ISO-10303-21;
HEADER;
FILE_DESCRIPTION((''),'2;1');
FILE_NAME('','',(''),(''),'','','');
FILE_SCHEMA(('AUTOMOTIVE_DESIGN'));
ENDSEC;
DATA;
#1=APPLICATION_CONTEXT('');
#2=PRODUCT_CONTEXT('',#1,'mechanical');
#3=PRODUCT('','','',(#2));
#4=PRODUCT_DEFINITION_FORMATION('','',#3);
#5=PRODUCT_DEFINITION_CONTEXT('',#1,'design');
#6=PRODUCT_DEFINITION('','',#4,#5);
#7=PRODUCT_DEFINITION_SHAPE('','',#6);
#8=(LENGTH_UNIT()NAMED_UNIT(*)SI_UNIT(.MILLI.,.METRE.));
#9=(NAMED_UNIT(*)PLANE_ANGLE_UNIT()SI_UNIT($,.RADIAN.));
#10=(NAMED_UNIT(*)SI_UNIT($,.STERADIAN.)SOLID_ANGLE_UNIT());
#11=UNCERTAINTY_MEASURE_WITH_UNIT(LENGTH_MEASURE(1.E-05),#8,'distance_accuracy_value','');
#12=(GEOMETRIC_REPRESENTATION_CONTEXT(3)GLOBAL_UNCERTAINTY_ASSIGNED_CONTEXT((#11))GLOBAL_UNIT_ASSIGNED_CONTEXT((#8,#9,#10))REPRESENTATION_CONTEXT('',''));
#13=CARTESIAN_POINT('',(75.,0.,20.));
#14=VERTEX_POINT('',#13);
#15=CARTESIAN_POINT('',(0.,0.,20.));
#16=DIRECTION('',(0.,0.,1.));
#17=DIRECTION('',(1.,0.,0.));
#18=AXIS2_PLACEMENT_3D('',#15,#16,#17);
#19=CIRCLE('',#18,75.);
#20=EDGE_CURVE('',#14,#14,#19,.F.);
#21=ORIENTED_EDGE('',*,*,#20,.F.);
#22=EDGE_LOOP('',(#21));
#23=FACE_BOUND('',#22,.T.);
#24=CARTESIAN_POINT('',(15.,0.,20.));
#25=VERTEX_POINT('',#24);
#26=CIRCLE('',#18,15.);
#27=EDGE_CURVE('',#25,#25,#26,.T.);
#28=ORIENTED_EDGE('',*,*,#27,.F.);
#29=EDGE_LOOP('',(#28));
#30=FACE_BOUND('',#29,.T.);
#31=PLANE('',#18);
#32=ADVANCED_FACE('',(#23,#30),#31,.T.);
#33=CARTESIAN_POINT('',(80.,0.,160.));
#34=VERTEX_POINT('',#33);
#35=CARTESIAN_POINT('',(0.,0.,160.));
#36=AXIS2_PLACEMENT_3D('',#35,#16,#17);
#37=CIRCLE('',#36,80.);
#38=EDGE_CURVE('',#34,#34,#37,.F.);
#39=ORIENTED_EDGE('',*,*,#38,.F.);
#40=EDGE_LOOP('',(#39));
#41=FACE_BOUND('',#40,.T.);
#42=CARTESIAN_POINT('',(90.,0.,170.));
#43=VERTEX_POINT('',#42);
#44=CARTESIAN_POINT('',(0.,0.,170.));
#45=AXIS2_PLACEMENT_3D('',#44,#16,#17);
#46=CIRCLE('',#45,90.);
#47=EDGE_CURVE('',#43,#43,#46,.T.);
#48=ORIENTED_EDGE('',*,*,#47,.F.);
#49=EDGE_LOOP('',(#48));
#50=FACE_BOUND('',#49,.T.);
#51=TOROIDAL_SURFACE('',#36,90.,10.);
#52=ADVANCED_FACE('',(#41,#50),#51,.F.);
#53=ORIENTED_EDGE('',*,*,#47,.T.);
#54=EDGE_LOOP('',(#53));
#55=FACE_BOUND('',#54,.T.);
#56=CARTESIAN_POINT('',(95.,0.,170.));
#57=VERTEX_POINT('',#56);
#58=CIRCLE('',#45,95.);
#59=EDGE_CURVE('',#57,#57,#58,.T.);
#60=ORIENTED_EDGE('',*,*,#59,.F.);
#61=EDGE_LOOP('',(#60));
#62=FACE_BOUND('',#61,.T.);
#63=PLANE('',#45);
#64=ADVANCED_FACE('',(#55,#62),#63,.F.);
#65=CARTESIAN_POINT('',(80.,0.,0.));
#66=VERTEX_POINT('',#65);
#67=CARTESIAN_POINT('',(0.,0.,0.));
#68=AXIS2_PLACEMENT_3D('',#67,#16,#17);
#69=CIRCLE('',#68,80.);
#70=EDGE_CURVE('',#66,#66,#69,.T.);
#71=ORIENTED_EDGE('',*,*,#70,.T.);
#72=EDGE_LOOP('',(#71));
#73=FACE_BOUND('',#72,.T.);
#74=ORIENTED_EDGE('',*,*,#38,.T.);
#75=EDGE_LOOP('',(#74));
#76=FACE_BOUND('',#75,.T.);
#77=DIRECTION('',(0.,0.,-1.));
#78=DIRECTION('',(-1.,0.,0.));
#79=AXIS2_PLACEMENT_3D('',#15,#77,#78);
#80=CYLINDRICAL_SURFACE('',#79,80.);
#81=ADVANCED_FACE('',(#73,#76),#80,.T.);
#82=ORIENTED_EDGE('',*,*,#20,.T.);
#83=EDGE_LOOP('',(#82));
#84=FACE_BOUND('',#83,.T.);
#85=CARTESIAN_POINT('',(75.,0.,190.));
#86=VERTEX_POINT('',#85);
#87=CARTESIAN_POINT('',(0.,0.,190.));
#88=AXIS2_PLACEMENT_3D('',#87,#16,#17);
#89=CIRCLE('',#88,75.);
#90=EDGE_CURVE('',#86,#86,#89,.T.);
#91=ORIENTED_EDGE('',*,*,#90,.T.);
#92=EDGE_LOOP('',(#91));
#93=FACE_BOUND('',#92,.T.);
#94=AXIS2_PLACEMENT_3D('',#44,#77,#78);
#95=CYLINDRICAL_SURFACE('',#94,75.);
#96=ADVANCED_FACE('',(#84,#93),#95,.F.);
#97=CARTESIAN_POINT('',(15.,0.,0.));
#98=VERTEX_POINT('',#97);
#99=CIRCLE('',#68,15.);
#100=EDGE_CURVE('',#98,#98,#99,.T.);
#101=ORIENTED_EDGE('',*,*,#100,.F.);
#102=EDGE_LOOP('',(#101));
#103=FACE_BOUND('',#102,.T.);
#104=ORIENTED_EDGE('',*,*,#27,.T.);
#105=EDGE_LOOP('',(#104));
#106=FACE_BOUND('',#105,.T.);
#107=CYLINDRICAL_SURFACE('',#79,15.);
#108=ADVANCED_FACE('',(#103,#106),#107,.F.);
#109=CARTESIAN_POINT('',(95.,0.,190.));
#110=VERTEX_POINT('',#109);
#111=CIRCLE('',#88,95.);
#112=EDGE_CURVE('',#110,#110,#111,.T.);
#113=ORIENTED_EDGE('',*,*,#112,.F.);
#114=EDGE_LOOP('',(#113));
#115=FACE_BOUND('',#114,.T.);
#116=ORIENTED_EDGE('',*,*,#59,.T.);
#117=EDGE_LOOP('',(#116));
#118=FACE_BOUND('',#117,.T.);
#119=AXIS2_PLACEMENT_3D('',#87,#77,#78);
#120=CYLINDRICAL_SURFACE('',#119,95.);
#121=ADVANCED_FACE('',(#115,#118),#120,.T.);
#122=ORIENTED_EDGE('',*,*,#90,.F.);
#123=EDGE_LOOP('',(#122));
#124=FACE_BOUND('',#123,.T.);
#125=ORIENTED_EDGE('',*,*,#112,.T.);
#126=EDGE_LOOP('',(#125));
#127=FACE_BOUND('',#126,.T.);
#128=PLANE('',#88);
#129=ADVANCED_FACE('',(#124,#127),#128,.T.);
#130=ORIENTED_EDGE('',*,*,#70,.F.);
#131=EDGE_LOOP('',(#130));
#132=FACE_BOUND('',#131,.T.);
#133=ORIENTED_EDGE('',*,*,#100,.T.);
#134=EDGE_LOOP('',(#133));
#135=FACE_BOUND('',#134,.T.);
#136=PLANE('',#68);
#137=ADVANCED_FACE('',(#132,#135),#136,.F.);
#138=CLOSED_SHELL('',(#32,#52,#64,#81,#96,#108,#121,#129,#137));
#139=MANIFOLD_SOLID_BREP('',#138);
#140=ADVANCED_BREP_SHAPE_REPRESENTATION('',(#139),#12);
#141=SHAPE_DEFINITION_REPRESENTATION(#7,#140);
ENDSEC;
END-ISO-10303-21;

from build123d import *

# Parameters (mm, degrees)
SKETCH1_R           = 80
SKETCH1_R_2         = 15
BOSS_EXTRUDE1_DEPTH = 20
SKETCH2_R           = 80
SKETCH2_R_2         = 75
BOSS_EXTRUDE2_DEPTH = 150
SKETCH3_R           = 95
SKETCH3_R_2         = 75
BOSS_EXTRUDE3_DEPTH = 20
FILLET1_R           = 10


with BuildPart() as part:
    # Sketch1 → Boss-Extrude1 (new body)
    with BuildSketch(Plane.XY):
        Circle(SKETCH1_R)
        Circle(SKETCH1_R_2, mode=Mode.SUBTRACT)
    extrude(amount=BOSS_EXTRUDE1_DEPTH)

    # Sketch2 → Boss-Extrude2 (add)
    with BuildSketch(Plane.XY.offset(20)):
        Circle(SKETCH2_R)
        Circle(SKETCH2_R_2, mode=Mode.SUBTRACT)
    extrude(amount=BOSS_EXTRUDE2_DEPTH)

    # Sketch3 → Boss-Extrude3 (add)
    with BuildSketch(Plane.XY.offset(170)):
        Circle(SKETCH3_R)
        Circle(SKETCH3_R_2, mode=Mode.SUBTRACT)
    extrude(amount=BOSS_EXTRUDE3_DEPTH)

    # Fillet1
    fillet1_edges = [part.edges().sort_by_distance(p)[0] for p in [
        (-80, 0, 170),
    ]]
    fillet(fillet1_edges, radius=FILLET1_R)


solid = part.part
